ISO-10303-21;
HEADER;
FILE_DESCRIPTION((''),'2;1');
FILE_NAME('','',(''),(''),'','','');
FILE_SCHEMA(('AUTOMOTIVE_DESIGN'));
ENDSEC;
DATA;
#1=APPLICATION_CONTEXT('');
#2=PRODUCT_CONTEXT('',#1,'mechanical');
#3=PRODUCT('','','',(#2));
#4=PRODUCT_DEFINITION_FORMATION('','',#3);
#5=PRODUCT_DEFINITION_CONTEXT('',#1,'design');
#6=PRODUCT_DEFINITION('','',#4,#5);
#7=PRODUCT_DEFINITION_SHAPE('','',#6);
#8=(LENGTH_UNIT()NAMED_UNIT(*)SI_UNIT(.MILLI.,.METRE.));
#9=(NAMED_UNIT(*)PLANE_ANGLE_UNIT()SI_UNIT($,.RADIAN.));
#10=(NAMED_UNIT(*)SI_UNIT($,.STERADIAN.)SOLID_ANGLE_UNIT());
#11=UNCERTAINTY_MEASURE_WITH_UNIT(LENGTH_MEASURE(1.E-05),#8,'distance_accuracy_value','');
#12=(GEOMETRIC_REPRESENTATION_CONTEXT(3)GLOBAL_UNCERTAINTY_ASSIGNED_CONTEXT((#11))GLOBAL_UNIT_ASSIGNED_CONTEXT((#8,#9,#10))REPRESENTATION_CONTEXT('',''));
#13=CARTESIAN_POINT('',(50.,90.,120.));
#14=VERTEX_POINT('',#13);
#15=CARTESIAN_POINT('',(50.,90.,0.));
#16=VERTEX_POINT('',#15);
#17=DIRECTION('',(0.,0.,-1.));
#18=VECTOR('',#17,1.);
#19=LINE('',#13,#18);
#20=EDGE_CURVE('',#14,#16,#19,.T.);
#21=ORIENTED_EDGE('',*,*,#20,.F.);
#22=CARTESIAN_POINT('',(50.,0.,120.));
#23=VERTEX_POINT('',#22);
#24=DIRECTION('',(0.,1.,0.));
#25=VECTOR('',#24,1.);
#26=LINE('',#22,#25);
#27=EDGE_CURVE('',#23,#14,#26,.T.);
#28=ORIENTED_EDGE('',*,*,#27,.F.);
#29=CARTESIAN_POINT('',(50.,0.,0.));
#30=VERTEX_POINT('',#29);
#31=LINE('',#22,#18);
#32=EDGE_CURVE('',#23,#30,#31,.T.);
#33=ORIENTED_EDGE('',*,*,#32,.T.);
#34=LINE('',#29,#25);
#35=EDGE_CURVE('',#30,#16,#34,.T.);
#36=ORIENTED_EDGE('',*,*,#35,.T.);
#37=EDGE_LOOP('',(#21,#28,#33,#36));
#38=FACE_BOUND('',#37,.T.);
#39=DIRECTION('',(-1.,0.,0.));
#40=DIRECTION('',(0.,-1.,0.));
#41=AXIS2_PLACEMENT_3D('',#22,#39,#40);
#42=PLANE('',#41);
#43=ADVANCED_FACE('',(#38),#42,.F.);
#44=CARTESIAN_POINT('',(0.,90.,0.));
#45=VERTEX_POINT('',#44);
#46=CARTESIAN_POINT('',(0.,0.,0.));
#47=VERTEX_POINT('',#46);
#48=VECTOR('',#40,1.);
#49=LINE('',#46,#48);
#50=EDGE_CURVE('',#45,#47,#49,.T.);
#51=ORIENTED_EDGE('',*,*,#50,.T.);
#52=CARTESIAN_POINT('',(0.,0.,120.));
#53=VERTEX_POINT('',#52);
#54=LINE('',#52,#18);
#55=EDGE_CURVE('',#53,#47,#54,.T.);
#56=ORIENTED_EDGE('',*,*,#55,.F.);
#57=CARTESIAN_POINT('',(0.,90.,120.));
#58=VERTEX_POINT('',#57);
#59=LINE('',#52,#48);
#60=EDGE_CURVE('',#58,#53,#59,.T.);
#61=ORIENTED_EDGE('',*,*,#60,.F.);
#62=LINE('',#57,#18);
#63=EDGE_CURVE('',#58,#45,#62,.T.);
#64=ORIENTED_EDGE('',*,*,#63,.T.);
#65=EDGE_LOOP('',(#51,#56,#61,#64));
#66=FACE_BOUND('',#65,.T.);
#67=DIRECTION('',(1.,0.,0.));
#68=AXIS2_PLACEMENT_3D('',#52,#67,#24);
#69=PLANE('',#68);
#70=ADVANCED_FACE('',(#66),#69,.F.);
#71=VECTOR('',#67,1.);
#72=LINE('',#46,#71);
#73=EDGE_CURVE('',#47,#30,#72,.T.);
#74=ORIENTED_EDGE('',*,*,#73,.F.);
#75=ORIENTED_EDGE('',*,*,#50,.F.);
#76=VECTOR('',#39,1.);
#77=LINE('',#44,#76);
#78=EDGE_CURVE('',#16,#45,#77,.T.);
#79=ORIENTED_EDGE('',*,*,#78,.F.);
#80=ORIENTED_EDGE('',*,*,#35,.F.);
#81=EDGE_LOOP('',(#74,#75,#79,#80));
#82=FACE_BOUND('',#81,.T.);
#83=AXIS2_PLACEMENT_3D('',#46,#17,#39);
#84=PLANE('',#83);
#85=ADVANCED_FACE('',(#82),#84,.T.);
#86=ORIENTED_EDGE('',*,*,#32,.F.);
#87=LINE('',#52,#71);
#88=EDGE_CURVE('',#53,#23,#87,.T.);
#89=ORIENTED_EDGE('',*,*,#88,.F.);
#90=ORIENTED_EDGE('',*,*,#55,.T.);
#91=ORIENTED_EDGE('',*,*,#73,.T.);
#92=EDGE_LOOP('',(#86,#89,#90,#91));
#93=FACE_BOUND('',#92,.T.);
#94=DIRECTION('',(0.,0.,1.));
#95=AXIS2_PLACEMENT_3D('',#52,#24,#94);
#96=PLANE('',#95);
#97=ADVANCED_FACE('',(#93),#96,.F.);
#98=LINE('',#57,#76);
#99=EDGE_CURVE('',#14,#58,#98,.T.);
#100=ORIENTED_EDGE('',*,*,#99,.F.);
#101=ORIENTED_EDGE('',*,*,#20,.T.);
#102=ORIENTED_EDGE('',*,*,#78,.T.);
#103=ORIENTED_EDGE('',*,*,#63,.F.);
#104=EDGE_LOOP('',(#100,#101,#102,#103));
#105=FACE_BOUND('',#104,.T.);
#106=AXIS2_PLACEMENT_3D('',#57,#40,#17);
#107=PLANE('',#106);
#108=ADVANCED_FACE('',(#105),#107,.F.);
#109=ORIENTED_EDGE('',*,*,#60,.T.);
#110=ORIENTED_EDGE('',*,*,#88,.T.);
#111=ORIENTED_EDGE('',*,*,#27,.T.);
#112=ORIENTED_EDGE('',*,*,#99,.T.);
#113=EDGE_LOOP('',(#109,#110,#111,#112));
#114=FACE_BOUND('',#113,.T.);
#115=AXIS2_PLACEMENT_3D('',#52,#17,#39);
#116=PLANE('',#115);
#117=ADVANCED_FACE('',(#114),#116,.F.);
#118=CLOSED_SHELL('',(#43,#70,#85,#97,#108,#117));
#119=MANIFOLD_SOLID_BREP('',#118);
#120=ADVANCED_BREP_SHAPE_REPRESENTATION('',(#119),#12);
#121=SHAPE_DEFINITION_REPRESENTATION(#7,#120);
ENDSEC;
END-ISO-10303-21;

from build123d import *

# Parameters (mm, degrees)
SKETCH_1_W      = 50
SKETCH_1_H      = 90
EXTRUDE_1_DEPTH = 120


with BuildPart() as part:
    # 스케치1 → 보스-돌출1 (new body)
    with BuildSketch(Plane.XY):
        with Locations((25, 45)):
            Rectangle(SKETCH_1_W, SKETCH_1_H)
    extrude(amount=EXTRUDE_1_DEPTH)


solid = part.part
